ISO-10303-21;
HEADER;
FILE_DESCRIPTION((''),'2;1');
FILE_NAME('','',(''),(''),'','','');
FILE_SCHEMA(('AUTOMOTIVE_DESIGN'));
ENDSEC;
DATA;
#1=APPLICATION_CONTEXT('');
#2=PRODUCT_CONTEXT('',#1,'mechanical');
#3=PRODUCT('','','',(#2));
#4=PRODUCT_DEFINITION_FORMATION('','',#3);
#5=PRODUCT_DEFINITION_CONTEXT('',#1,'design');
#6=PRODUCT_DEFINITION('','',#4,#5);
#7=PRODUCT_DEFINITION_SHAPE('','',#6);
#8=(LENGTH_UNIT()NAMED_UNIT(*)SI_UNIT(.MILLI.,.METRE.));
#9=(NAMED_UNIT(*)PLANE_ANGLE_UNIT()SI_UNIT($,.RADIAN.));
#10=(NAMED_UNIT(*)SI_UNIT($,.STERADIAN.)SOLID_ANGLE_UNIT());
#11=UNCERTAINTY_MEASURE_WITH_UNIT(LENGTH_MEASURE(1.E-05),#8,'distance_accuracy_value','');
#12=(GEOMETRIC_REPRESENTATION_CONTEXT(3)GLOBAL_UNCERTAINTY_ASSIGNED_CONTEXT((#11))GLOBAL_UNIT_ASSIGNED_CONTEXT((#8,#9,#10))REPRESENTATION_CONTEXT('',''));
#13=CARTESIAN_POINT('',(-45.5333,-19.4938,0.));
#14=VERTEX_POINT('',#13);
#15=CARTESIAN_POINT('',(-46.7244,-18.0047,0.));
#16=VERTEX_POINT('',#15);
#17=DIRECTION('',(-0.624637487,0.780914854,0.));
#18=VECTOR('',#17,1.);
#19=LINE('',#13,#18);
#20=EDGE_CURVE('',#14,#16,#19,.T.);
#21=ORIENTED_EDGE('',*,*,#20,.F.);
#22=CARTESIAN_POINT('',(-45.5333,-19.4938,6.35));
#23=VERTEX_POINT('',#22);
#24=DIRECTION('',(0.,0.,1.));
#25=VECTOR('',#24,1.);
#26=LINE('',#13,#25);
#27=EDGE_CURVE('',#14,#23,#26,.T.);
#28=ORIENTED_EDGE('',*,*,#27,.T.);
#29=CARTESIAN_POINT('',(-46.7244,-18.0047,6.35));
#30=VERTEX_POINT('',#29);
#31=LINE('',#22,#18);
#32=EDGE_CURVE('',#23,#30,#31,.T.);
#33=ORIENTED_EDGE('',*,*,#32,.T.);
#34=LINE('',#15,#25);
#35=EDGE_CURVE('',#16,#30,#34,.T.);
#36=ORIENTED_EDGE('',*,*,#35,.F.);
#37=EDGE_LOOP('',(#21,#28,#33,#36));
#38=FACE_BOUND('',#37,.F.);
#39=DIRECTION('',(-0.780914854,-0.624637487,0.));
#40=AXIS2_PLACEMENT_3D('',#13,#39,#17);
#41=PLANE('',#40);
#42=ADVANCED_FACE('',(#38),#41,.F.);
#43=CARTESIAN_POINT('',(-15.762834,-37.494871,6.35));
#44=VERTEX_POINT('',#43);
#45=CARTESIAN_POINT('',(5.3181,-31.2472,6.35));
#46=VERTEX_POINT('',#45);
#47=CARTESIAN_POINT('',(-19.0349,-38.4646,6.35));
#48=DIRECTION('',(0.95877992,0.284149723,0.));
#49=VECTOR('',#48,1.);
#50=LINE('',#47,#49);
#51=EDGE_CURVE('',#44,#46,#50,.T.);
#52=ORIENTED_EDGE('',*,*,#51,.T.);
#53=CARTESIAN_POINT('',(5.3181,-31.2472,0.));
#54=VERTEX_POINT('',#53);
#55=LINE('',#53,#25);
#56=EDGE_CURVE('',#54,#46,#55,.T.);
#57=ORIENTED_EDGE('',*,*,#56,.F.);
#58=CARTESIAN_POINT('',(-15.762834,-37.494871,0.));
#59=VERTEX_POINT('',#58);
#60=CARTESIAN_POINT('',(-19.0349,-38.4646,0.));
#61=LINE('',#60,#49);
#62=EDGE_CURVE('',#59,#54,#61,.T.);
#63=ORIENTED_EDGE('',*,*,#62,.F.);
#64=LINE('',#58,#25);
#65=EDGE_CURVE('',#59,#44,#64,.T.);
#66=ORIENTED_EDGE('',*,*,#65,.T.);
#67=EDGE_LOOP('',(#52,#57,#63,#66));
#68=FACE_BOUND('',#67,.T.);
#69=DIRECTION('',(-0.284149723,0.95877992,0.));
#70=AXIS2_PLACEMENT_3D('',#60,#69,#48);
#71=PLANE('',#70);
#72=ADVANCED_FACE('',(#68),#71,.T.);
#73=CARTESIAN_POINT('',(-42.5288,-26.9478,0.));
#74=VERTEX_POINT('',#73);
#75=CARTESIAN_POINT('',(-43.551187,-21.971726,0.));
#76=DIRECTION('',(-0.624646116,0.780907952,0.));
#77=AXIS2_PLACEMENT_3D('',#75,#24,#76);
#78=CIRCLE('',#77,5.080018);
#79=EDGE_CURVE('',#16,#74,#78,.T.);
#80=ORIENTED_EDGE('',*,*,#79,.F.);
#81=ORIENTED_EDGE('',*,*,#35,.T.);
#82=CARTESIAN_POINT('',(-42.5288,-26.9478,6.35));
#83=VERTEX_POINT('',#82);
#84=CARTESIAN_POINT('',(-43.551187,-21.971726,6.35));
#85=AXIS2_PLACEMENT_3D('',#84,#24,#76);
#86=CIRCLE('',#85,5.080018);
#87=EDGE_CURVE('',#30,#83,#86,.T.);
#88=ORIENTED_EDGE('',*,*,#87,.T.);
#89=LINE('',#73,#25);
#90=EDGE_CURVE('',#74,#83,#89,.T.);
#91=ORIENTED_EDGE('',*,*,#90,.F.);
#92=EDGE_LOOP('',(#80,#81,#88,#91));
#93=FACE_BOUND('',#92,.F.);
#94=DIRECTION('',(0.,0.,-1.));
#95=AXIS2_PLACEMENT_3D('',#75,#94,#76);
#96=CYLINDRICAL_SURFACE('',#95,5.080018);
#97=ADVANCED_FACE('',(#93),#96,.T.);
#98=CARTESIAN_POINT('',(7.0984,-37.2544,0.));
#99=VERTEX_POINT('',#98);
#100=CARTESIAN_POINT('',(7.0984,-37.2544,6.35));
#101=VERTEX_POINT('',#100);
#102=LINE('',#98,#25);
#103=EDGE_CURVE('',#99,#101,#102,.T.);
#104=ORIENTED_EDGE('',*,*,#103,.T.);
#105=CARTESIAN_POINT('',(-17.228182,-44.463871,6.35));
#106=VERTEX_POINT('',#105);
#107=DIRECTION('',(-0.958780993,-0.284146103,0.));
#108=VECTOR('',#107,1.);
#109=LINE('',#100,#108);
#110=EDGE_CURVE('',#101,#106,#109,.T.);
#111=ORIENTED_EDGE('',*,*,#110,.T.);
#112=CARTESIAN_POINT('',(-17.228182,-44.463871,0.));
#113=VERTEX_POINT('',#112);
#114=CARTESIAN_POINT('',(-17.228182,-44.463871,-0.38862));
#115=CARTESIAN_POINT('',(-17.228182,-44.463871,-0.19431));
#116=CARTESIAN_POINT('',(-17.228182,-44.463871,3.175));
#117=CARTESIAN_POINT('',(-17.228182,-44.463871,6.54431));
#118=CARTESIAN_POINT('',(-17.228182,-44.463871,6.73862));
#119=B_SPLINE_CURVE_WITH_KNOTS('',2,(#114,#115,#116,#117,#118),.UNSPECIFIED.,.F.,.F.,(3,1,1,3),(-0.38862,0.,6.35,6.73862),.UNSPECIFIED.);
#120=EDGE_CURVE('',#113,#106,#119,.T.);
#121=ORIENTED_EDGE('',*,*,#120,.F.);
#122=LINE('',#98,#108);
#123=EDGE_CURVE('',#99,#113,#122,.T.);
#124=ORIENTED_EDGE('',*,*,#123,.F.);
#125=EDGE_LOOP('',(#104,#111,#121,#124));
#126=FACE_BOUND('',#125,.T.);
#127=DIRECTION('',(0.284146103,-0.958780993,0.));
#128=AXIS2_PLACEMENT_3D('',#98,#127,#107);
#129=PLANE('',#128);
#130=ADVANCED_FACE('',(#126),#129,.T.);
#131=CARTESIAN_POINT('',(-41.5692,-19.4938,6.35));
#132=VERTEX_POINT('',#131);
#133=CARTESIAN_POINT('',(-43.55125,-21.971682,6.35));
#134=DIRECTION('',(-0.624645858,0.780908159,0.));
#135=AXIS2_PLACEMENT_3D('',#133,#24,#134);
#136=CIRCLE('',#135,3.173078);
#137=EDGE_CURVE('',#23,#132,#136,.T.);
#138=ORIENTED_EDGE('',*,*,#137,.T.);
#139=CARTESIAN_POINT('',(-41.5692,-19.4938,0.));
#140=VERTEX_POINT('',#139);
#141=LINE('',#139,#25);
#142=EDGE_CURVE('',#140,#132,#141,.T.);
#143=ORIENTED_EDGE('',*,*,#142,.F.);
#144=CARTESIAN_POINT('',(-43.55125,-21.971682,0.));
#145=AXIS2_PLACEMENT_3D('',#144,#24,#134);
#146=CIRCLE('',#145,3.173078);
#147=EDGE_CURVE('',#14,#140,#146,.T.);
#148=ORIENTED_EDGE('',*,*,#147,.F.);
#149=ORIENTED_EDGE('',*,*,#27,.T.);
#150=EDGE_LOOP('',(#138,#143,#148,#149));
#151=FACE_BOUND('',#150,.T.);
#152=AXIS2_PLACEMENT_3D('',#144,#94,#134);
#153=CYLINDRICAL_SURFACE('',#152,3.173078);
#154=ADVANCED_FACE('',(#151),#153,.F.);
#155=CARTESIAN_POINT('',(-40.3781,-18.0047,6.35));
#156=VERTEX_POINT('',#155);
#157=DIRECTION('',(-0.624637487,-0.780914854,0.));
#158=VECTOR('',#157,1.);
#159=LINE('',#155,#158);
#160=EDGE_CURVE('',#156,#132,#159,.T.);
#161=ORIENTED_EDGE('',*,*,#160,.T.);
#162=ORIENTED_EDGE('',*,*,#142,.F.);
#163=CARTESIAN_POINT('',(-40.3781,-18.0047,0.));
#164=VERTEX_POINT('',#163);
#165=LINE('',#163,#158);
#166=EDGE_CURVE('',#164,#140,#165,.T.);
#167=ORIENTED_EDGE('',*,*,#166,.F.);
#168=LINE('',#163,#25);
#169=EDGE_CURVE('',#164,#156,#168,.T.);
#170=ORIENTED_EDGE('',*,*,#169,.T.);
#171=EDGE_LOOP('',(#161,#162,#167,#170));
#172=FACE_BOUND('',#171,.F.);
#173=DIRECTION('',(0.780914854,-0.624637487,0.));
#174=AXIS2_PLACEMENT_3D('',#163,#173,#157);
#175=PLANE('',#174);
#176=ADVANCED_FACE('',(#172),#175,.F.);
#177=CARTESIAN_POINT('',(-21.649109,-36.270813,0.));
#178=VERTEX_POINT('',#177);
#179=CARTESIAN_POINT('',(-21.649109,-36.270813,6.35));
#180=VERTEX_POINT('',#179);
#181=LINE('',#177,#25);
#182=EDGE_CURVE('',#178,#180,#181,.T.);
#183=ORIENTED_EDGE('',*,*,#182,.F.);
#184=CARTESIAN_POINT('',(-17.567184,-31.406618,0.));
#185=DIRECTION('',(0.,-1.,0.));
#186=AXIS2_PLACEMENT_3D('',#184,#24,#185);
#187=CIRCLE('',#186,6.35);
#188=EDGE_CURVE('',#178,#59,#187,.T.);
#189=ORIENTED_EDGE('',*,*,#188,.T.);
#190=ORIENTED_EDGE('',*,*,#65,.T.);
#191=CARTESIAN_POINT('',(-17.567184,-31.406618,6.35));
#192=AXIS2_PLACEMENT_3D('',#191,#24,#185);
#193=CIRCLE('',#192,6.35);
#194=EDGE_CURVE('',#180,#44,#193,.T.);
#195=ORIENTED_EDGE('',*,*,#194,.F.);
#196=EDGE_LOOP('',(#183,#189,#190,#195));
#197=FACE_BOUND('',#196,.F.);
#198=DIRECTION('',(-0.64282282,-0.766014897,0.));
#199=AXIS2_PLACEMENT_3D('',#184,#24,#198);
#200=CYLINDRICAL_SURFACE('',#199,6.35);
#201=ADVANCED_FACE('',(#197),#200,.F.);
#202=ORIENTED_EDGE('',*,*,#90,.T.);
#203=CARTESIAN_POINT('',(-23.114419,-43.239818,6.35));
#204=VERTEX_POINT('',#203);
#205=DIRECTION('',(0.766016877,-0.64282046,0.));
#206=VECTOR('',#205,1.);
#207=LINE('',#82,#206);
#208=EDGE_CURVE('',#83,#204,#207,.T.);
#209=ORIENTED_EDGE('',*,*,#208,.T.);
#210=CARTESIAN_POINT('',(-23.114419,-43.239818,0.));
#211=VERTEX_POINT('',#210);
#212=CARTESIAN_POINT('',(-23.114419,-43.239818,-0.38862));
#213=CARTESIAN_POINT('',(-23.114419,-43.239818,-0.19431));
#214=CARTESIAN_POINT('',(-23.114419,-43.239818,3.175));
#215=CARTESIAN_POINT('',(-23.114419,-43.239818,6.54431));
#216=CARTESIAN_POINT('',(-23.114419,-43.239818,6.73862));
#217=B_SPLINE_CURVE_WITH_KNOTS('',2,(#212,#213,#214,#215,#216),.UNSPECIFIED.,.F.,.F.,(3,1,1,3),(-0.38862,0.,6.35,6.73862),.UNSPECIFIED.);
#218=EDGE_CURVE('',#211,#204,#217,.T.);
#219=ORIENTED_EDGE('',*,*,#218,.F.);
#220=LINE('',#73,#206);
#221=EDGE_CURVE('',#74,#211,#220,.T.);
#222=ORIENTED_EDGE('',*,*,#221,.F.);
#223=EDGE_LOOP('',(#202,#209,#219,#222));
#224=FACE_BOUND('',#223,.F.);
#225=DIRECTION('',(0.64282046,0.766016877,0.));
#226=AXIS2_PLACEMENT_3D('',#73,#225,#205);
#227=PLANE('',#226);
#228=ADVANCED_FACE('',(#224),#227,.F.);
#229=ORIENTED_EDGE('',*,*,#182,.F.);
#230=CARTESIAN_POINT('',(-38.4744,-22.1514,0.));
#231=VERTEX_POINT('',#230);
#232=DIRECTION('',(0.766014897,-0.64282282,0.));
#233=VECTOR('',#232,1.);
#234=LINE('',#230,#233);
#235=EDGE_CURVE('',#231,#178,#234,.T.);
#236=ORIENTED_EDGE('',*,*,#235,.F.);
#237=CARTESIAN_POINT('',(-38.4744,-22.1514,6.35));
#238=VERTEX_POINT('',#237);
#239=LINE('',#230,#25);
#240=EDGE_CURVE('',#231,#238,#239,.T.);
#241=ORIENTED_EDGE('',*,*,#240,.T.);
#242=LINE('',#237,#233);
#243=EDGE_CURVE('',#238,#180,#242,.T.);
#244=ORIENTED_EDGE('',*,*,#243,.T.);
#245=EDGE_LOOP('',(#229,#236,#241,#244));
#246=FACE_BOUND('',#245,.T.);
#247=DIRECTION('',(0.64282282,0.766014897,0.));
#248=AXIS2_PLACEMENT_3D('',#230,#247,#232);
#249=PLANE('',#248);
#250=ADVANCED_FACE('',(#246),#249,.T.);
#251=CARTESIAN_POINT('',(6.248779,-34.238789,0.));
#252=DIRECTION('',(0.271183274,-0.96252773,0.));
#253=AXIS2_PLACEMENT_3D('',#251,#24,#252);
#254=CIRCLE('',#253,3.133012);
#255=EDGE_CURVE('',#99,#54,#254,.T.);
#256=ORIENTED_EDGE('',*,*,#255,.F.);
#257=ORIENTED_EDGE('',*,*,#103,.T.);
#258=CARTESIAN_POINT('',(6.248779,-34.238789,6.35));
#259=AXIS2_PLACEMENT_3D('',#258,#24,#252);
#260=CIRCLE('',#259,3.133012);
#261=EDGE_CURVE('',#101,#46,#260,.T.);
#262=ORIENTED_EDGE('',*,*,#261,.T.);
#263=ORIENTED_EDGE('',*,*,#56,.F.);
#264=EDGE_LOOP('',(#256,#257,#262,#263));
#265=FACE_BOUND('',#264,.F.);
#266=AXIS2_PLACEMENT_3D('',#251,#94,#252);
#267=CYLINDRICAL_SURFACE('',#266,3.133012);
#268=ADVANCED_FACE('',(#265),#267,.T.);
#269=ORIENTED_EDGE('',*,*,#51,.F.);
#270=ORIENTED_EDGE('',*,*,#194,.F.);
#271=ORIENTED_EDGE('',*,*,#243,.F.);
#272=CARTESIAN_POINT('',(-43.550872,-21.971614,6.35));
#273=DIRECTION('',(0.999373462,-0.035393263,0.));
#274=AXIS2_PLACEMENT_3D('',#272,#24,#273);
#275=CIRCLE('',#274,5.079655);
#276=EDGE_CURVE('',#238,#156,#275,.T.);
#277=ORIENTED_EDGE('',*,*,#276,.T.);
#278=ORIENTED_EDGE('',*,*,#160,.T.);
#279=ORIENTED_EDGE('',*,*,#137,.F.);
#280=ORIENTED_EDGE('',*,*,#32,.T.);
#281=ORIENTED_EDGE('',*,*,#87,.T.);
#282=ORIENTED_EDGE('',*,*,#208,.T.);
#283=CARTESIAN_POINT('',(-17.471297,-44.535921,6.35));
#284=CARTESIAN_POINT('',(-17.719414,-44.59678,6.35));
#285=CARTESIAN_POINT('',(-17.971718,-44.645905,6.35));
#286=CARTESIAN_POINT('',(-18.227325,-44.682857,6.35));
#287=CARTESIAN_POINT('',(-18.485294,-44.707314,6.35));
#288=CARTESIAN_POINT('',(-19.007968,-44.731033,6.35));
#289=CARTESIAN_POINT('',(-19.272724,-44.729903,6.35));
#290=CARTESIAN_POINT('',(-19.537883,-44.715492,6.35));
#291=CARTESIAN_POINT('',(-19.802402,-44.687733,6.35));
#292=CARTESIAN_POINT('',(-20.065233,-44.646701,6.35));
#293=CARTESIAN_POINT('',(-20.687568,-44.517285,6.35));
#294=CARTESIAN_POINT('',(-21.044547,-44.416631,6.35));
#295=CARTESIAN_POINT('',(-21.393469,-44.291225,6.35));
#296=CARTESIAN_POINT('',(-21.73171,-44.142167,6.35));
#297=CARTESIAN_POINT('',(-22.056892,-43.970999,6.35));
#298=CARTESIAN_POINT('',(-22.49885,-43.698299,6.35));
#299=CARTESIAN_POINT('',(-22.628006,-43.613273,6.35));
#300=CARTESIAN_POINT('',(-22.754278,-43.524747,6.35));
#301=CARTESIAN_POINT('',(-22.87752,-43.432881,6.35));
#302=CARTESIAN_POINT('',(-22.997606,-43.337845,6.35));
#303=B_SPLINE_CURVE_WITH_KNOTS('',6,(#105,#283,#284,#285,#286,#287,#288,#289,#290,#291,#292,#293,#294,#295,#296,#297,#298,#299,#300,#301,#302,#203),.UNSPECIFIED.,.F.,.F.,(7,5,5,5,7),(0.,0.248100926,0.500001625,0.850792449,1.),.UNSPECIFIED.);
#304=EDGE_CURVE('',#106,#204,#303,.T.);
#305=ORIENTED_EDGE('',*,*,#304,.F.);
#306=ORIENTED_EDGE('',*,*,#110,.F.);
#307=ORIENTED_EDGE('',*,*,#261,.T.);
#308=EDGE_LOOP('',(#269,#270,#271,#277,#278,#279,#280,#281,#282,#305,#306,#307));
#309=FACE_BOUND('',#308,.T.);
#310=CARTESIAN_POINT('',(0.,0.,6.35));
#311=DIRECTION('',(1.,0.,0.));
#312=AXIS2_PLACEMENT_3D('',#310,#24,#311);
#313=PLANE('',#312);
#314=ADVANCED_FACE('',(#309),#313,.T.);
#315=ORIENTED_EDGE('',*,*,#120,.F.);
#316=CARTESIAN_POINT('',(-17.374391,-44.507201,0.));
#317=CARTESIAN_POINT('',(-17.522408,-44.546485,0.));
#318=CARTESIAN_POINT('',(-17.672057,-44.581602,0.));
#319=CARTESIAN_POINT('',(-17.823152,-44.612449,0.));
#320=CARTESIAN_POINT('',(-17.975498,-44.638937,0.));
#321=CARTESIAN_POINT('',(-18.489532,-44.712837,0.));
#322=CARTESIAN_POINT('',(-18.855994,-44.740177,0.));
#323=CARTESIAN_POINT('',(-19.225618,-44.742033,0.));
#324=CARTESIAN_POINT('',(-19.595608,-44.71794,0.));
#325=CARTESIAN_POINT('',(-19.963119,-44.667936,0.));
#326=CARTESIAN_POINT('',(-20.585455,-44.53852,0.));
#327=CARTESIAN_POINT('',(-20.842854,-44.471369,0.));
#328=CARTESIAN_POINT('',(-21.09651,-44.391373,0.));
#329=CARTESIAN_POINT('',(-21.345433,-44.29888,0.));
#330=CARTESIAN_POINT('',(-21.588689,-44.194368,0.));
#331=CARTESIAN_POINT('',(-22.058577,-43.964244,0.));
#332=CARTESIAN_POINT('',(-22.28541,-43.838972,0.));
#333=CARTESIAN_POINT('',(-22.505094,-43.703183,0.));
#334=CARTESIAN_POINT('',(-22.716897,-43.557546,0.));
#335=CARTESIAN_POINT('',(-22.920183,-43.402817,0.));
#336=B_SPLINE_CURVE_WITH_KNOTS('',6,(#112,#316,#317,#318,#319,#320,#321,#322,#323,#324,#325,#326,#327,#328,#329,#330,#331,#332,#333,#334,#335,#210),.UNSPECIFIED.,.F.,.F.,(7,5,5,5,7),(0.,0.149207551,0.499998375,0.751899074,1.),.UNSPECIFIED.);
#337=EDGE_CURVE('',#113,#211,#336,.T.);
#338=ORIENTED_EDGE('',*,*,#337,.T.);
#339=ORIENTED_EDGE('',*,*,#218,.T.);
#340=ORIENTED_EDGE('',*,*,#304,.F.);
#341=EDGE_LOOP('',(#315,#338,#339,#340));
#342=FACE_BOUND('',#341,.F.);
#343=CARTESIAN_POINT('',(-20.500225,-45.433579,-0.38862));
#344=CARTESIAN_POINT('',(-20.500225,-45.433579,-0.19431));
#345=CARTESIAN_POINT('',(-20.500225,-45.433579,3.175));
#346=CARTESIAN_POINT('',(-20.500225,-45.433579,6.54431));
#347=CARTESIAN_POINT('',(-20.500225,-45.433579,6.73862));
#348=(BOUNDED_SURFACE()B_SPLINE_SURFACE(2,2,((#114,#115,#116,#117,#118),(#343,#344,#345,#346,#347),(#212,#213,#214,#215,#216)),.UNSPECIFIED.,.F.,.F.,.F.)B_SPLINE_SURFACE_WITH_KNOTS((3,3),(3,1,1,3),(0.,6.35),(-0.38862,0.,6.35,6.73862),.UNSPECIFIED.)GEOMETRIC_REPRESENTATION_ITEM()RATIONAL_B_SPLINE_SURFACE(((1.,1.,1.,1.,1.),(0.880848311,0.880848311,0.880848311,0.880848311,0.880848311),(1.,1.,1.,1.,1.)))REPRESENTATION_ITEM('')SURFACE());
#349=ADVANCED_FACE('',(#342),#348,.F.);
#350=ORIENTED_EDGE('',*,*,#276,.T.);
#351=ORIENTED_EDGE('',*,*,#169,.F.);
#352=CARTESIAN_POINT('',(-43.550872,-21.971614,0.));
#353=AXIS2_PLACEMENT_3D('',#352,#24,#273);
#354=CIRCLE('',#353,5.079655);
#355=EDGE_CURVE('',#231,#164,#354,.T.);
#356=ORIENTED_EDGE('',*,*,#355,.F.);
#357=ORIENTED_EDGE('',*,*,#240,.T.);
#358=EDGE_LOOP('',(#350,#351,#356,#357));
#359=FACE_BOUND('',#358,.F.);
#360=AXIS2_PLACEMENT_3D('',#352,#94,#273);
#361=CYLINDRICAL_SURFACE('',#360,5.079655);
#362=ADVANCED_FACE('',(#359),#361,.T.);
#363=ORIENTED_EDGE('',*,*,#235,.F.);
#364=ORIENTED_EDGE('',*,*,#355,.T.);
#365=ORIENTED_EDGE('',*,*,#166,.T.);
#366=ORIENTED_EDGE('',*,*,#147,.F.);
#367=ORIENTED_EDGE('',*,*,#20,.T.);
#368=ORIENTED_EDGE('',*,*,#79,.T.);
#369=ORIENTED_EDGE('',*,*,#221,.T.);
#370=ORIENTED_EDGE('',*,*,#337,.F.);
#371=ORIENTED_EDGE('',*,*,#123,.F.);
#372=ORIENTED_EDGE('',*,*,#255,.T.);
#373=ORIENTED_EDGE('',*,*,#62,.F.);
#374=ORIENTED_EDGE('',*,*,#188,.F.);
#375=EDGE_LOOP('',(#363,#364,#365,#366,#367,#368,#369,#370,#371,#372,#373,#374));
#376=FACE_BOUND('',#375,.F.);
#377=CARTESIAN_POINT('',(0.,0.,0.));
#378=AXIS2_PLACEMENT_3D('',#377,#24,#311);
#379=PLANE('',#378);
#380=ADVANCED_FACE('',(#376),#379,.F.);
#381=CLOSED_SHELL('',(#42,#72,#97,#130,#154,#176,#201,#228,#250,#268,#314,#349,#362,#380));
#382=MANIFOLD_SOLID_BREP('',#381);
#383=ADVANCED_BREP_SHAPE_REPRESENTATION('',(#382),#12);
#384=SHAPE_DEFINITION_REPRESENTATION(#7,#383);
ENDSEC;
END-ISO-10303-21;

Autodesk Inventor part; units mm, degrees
ref_plane "YZ Plane" through (0, 0, 0) normal (1, 0, 0) x (0, 1, 0)
ref_plane "XZ Plane" through (0, 0, 0) normal (0, 1, 0) x (-1, 0, 0)
ref_plane "XY Plane" through (0, 0, 0) normal (0, 0, 1) x (1, 0, 0)
sketch "Sketch1" plane through (0, 0, 0) normal (0, 0, 1) x (1, 0, 0)
  line L0 (7.0984, -37.2544) -> (-17.2546, -44.4717)
  line L1 (-19.0349, -38.4646) -> (5.3181, -31.2472)
  arc A0 (7.0984, -37.2544) -> (5.3181, -31.2472) centre (6.2488, -34.2388) ccw
  line L2 (-42.5288, -26.9478) -> (-20.5002, -45.4336)
  line L3 (-20.5002, -45.4336) -> (-17.2546, -44.4717)
  line L4 (-38.4744, -22.1514) -> (-19.0349, -38.4646)
  line L5 (-40.3781, -18.0047) -> (-41.5692, -19.4938)
  line L6 (-45.5333, -19.4938) -> (-46.7244, -18.0047)
  arc A1 (-45.5333, -19.4938) -> (-41.5692, -19.4938) centre (-43.5513, -21.9717) ccw
  arc A2 (-46.7244, -18.0047) -> (-42.5288, -26.9478) centre (-43.5513, -21.9717) ccw
  arc A3 (-38.4744, -22.1514) -> (-40.3781, -18.0047) centre (-43.5513, -21.9717) ccw
  point P0 (0, 0)
  point P1 (0, 0)
extrude "Extrusion1" add sketch "Sketch1" along normal blind 6.35
fillet "Fillet1" radius 6.35 2 edges at (-20.5002, -45.4336, 3.175) (-19.0349, -38.4646, 3.175)
properties part number "Holder left arm"
